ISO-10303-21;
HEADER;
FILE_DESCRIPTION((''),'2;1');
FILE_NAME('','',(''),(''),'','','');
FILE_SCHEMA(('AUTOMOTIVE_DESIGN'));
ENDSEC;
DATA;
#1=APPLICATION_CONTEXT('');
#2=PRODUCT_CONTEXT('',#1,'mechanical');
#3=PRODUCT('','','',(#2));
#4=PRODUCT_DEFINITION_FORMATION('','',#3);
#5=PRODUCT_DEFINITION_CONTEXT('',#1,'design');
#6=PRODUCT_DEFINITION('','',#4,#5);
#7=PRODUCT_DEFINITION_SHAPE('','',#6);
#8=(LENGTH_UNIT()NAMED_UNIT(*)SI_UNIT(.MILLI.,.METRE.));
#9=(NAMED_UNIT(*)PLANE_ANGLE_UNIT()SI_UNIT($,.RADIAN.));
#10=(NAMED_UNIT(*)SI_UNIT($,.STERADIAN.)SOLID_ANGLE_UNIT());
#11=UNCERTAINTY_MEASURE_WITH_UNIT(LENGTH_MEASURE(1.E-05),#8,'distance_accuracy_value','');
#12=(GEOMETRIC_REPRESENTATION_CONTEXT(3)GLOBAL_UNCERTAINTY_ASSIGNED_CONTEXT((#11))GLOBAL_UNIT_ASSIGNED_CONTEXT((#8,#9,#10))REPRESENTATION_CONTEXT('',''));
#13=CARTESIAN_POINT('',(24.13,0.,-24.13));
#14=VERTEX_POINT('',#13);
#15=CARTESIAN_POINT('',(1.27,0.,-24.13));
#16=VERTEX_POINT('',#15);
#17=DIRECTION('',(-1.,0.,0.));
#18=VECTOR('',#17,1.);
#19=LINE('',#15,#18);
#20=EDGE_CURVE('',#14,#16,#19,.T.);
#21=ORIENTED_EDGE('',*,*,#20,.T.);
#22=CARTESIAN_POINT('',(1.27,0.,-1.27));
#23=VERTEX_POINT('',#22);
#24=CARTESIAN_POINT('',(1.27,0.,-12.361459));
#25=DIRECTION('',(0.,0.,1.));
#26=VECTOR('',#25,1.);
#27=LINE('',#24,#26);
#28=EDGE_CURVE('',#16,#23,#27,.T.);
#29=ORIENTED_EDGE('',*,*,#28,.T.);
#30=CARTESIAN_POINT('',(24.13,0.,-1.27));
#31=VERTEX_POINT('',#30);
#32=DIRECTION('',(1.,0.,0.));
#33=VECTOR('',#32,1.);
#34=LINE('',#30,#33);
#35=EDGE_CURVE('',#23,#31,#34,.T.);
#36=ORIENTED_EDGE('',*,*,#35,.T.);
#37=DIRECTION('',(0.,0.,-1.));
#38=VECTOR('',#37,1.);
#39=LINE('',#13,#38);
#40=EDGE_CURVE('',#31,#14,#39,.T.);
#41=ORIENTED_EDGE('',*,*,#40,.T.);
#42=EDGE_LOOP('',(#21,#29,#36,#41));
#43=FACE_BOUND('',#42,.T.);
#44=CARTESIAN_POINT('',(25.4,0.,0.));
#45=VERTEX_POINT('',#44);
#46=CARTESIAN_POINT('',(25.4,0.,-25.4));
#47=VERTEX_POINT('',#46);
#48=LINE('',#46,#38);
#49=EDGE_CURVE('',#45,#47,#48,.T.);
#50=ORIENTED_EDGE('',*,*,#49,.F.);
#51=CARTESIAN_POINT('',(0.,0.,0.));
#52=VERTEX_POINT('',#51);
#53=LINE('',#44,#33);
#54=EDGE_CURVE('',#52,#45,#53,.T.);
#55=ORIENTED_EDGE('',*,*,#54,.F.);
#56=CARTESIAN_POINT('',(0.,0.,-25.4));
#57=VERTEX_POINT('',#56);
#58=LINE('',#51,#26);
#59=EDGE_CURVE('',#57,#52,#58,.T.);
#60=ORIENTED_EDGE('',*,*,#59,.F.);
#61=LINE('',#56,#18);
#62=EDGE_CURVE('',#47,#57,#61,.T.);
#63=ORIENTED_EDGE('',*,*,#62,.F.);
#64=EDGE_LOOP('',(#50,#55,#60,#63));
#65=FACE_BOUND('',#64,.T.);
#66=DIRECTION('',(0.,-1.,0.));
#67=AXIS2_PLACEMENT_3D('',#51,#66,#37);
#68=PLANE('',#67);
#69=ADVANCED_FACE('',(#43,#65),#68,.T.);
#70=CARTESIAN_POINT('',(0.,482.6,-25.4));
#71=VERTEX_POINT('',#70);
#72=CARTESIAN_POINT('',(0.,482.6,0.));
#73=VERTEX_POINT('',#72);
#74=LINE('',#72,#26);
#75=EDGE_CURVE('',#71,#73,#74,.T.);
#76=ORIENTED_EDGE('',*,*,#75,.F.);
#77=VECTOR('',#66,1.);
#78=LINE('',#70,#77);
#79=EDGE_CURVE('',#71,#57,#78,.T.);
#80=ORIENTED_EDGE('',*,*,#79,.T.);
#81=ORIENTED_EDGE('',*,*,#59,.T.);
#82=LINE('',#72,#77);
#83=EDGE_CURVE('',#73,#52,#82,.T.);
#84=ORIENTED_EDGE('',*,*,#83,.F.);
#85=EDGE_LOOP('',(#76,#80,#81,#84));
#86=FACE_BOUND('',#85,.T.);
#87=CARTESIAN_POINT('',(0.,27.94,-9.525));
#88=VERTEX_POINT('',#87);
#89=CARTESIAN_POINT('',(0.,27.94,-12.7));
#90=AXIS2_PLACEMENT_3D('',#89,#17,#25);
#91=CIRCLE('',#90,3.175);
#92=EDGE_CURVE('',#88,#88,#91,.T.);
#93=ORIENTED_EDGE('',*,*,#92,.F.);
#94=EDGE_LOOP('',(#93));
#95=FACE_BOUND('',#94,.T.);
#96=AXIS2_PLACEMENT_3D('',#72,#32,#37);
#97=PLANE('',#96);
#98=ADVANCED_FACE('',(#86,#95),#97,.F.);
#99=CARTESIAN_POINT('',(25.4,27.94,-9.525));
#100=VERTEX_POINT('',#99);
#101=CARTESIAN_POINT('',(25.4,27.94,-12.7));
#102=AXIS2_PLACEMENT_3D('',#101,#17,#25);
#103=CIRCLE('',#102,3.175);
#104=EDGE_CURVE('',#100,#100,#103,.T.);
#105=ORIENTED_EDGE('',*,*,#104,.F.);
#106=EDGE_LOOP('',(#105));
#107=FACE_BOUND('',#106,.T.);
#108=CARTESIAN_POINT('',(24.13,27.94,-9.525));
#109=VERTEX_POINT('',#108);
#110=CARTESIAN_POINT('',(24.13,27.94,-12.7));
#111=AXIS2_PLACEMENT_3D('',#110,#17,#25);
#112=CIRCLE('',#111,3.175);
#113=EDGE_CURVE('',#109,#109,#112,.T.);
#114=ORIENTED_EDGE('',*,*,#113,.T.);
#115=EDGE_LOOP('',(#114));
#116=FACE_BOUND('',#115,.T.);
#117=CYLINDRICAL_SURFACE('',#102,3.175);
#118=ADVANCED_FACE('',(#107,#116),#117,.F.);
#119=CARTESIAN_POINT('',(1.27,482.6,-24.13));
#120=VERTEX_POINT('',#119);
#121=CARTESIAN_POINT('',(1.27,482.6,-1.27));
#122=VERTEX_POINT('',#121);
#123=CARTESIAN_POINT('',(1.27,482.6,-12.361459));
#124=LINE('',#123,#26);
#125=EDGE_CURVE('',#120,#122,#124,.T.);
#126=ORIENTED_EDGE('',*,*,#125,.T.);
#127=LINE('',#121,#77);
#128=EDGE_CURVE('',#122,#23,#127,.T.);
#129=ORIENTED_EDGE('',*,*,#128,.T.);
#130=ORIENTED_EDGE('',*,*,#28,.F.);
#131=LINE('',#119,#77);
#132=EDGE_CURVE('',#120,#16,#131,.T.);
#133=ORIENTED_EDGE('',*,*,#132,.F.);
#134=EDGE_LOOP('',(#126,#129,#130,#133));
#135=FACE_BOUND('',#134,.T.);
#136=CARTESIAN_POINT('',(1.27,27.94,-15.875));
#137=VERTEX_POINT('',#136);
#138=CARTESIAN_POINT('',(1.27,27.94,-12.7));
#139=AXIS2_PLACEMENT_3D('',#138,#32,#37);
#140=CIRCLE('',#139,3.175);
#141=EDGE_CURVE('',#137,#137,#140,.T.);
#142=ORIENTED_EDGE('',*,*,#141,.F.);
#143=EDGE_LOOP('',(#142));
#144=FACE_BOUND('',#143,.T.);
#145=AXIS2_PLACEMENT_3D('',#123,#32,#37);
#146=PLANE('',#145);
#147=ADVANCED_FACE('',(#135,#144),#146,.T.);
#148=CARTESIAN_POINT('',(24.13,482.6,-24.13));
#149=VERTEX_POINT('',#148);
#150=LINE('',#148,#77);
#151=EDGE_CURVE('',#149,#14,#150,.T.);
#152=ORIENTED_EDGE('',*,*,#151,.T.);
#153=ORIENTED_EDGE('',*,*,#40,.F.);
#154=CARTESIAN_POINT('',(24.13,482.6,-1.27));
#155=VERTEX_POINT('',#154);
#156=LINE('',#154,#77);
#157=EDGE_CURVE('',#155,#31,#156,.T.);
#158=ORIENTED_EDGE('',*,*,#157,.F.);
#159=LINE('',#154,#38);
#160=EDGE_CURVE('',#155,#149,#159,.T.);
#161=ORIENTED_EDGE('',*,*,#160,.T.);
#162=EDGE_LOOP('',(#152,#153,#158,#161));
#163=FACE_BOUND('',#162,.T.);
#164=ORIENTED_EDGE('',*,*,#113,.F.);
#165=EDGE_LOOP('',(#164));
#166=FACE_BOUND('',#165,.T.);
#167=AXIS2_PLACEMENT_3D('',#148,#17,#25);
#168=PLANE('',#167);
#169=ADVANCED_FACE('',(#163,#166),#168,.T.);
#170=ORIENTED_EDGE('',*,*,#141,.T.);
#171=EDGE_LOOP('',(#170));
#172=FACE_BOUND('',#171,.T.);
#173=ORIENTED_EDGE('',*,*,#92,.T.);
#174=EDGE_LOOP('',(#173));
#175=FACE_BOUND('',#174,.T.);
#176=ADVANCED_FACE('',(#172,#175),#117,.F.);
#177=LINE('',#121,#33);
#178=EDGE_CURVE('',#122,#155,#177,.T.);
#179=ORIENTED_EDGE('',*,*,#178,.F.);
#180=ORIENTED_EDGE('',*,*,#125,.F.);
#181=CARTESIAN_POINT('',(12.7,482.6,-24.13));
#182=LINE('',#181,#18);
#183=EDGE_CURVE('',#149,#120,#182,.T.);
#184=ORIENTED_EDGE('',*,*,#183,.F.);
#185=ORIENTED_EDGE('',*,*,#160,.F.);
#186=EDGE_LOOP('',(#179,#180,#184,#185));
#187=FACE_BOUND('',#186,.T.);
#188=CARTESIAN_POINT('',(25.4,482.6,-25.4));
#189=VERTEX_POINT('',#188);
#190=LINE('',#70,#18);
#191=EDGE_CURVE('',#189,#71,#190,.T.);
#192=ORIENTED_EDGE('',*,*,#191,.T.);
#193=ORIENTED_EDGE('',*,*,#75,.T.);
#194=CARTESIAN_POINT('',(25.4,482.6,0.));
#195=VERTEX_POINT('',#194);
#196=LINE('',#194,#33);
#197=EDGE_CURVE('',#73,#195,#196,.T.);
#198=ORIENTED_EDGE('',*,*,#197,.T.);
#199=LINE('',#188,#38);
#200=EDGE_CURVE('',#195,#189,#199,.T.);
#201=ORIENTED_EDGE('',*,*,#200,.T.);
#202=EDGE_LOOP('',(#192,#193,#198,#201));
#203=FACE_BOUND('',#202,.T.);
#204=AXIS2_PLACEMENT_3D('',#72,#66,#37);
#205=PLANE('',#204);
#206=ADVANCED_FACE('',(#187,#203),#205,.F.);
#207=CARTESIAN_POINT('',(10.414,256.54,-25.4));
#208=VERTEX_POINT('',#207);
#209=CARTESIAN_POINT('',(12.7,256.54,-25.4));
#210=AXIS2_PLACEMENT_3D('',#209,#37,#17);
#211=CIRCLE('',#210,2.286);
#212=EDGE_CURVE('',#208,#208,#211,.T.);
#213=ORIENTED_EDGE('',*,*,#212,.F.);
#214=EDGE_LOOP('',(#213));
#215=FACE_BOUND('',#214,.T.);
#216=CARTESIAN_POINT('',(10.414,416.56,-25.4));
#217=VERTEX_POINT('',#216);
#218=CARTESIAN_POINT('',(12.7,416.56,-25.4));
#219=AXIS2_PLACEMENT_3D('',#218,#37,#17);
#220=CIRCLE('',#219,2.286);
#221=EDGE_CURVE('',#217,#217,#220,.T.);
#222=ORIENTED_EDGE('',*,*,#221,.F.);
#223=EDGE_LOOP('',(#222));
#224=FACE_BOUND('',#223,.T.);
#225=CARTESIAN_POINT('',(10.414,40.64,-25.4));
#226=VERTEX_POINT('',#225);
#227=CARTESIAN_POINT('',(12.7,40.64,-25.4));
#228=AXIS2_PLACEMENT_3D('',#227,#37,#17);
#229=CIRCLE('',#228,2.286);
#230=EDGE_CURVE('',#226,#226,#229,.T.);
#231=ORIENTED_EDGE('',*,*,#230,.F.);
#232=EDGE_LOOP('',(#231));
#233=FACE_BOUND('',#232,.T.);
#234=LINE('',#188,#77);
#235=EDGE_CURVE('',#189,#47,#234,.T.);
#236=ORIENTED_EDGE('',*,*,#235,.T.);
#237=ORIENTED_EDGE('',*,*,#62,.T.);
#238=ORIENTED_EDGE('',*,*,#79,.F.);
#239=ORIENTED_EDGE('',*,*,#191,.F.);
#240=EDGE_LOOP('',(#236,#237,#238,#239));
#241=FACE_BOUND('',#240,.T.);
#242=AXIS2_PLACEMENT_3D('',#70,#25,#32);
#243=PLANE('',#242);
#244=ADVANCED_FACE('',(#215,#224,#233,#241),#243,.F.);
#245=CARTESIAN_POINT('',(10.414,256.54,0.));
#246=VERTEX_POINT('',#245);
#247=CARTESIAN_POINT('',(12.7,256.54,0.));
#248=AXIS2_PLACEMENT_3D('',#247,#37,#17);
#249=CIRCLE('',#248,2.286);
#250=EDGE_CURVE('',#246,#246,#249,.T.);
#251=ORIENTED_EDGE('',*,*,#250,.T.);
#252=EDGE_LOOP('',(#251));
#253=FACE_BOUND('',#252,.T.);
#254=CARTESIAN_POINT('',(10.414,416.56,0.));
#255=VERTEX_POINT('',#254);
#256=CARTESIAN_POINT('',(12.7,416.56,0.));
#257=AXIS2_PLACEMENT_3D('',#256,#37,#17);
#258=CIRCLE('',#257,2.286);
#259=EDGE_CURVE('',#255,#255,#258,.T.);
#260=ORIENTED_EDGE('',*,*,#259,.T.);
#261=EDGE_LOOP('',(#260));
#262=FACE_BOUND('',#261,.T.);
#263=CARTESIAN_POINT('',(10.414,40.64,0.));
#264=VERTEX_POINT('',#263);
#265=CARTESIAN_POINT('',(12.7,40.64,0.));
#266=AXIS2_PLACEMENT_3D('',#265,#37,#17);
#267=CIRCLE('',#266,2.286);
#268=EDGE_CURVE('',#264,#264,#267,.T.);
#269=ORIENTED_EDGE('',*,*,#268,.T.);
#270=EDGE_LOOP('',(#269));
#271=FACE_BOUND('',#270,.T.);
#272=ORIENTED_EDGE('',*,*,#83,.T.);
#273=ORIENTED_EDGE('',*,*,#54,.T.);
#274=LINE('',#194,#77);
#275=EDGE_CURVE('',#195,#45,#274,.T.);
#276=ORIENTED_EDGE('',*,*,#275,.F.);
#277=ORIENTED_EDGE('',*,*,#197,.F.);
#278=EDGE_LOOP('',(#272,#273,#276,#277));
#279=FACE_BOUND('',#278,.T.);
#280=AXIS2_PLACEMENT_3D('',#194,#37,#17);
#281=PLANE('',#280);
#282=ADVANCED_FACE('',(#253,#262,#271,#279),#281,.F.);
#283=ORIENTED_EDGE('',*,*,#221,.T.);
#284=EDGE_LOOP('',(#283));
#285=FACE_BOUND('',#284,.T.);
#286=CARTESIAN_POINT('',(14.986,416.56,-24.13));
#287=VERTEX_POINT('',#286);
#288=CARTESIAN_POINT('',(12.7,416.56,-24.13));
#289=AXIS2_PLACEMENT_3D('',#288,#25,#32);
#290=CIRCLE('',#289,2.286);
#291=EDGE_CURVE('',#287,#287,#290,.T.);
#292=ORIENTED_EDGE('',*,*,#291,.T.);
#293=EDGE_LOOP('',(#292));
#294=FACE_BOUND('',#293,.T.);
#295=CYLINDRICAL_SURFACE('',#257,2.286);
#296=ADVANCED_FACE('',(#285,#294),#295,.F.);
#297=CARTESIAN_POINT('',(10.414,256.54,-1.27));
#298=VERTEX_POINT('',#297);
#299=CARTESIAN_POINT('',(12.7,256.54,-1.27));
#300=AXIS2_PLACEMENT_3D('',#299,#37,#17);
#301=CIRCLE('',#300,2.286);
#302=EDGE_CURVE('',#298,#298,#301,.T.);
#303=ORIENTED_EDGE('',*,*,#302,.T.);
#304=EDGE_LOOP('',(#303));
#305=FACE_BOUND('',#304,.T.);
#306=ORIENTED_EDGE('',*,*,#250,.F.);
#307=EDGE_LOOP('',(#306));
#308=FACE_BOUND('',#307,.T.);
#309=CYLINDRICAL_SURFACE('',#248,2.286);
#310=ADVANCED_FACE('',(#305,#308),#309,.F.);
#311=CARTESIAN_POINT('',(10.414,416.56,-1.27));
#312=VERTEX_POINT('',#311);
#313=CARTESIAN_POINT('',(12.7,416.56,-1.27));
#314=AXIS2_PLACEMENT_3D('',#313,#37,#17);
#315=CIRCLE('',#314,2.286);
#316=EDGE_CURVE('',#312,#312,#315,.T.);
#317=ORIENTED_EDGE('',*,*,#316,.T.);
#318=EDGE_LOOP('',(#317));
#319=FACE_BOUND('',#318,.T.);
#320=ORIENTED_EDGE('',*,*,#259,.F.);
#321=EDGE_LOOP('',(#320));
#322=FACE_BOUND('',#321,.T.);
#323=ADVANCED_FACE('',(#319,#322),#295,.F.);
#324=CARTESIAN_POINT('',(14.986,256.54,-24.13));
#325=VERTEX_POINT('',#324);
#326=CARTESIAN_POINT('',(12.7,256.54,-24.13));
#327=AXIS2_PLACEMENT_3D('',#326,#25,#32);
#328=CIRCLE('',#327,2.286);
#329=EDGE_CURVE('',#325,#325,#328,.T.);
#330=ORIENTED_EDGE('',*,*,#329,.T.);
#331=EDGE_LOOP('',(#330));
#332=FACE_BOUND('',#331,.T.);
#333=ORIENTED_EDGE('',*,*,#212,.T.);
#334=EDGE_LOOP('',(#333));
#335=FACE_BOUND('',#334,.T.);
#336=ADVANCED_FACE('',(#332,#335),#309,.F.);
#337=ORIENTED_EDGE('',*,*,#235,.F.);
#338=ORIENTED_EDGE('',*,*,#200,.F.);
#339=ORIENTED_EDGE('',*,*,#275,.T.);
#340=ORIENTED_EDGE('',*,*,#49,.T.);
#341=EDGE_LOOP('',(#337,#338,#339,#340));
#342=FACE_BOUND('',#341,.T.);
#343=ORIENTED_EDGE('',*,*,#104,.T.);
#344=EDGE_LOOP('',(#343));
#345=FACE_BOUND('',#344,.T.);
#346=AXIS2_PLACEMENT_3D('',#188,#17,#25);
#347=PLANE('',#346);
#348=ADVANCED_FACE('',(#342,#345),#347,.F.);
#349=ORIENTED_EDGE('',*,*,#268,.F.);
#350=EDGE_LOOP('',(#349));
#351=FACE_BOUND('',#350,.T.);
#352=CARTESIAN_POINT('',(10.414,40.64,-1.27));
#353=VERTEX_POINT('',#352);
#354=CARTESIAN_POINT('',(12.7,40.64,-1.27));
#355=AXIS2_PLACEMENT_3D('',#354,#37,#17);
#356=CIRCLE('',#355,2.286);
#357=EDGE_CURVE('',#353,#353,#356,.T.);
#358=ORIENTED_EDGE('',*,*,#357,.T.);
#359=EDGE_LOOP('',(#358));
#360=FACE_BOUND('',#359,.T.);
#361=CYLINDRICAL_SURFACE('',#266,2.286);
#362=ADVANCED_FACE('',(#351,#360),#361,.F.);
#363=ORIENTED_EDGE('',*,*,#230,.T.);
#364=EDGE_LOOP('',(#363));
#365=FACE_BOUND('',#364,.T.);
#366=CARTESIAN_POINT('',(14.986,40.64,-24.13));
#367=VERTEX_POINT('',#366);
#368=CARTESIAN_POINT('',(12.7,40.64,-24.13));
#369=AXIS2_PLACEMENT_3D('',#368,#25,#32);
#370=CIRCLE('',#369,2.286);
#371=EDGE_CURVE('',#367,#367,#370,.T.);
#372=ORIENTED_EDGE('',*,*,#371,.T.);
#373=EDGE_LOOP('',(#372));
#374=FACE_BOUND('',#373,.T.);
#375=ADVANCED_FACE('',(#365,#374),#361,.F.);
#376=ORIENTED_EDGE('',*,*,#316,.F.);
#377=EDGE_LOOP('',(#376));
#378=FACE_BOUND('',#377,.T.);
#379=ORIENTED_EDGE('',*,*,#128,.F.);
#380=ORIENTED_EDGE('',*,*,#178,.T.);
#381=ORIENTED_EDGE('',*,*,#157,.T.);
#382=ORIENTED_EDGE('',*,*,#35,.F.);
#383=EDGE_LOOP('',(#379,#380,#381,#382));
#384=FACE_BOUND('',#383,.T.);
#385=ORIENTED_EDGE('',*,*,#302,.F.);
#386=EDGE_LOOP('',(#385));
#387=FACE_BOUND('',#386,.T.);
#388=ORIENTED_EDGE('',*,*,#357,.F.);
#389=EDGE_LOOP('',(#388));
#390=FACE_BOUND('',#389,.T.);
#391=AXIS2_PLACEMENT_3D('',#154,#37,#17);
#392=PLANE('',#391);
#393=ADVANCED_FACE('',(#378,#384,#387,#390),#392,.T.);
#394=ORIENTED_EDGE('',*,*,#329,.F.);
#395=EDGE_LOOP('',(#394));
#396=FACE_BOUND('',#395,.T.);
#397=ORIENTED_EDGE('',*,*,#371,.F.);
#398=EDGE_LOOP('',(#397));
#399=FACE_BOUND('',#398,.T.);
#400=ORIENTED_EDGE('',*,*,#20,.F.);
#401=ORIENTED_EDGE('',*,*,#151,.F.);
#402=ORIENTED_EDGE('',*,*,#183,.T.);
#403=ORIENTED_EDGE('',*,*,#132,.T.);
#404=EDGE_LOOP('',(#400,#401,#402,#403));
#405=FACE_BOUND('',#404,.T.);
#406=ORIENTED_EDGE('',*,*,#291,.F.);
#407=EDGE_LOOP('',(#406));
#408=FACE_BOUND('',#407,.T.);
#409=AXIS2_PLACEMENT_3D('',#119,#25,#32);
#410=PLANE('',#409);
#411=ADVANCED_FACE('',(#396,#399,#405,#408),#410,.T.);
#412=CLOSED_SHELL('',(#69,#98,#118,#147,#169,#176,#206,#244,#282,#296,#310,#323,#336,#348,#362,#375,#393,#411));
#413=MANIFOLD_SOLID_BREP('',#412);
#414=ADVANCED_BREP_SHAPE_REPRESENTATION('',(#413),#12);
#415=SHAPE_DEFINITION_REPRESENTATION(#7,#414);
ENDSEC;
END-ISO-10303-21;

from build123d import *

# Parameters (mm, degrees)
SKETCH1_W           = 25.4
SKETCH1_H           = 25.4
BOSS_EXTRUDE1_DEPTH = 482.6
SKETCH2_R           = 2.286
CUT_EXTRUDE1_DEPTH  = 484.934995635
SKETCH3_R           = 2.286
CUT_EXTRUDE2_DEPTH  = 484.934995635
SKETCH4_R           = 2.286
CUT_EXTRUDE3_DEPTH  = 484.934995635
SKETCH9_R           = 3.175
CUT_EXTRUDE8_DEPTH  = 484.934995635


with BuildPart() as part:
    # Sketch1 → Boss-Extrude1 (new body)
    with BuildSketch(Plane(origin=(0, 0, 0), x_dir=(1, 0, 0), z_dir=(0, 1, 0))):
        with Locations((12.7, 12.7)):
            Rectangle(SKETCH1_W, SKETCH1_H)
        Polygon((1.27, 12.361459156), (1.27, 24.13), (12.7, 24.13), (24.13, 24.13), (24.13, 12.7), (24.13, 1.27), (12.7, 1.27), (1.27, 1.27), align=None, mode=Mode.SUBTRACT)
    extrude(amount=BOSS_EXTRUDE1_DEPTH)

    # Sketch2 → Cut-Extrude1 (cut, through all)
    with BuildSketch(Plane(origin=(0, 0, -25.4), x_dir=(-1, 0, 0), z_dir=(0, 0, -1))):
        with Locations((-12.7, 416.56)):
            Circle(SKETCH2_R)
    extrude(amount=-CUT_EXTRUDE1_DEPTH, mode=Mode.SUBTRACT)

    # Sketch3 → Cut-Extrude2 (cut, through all)
    with BuildSketch(Plane(origin=(0, 0, -25.4), x_dir=(-1, 0, 0), z_dir=(0, 0, -1))):
        with Locations((-12.7, 40.64)):
            Circle(SKETCH3_R)
    extrude(amount=-CUT_EXTRUDE2_DEPTH, mode=Mode.SUBTRACT)

    # Sketch4 → Cut-Extrude3 (cut, through all)
    with BuildSketch(Plane(origin=(0, 0, -25.4), x_dir=(-1, 0, 0), z_dir=(0, 0, -1))):
        with Locations((-12.7, 256.54)):
            Circle(SKETCH4_R)
    extrude(amount=-CUT_EXTRUDE3_DEPTH, mode=Mode.SUBTRACT)

    # Sketch9 → Cut-Extrude8 (cut, through all)
    with BuildSketch(Plane.ZY):
        with Locations((-12.7, 27.94)):
            Circle(SKETCH9_R)
    extrude(amount=-CUT_EXTRUDE8_DEPTH, mode=Mode.SUBTRACT)


solid = part.part
